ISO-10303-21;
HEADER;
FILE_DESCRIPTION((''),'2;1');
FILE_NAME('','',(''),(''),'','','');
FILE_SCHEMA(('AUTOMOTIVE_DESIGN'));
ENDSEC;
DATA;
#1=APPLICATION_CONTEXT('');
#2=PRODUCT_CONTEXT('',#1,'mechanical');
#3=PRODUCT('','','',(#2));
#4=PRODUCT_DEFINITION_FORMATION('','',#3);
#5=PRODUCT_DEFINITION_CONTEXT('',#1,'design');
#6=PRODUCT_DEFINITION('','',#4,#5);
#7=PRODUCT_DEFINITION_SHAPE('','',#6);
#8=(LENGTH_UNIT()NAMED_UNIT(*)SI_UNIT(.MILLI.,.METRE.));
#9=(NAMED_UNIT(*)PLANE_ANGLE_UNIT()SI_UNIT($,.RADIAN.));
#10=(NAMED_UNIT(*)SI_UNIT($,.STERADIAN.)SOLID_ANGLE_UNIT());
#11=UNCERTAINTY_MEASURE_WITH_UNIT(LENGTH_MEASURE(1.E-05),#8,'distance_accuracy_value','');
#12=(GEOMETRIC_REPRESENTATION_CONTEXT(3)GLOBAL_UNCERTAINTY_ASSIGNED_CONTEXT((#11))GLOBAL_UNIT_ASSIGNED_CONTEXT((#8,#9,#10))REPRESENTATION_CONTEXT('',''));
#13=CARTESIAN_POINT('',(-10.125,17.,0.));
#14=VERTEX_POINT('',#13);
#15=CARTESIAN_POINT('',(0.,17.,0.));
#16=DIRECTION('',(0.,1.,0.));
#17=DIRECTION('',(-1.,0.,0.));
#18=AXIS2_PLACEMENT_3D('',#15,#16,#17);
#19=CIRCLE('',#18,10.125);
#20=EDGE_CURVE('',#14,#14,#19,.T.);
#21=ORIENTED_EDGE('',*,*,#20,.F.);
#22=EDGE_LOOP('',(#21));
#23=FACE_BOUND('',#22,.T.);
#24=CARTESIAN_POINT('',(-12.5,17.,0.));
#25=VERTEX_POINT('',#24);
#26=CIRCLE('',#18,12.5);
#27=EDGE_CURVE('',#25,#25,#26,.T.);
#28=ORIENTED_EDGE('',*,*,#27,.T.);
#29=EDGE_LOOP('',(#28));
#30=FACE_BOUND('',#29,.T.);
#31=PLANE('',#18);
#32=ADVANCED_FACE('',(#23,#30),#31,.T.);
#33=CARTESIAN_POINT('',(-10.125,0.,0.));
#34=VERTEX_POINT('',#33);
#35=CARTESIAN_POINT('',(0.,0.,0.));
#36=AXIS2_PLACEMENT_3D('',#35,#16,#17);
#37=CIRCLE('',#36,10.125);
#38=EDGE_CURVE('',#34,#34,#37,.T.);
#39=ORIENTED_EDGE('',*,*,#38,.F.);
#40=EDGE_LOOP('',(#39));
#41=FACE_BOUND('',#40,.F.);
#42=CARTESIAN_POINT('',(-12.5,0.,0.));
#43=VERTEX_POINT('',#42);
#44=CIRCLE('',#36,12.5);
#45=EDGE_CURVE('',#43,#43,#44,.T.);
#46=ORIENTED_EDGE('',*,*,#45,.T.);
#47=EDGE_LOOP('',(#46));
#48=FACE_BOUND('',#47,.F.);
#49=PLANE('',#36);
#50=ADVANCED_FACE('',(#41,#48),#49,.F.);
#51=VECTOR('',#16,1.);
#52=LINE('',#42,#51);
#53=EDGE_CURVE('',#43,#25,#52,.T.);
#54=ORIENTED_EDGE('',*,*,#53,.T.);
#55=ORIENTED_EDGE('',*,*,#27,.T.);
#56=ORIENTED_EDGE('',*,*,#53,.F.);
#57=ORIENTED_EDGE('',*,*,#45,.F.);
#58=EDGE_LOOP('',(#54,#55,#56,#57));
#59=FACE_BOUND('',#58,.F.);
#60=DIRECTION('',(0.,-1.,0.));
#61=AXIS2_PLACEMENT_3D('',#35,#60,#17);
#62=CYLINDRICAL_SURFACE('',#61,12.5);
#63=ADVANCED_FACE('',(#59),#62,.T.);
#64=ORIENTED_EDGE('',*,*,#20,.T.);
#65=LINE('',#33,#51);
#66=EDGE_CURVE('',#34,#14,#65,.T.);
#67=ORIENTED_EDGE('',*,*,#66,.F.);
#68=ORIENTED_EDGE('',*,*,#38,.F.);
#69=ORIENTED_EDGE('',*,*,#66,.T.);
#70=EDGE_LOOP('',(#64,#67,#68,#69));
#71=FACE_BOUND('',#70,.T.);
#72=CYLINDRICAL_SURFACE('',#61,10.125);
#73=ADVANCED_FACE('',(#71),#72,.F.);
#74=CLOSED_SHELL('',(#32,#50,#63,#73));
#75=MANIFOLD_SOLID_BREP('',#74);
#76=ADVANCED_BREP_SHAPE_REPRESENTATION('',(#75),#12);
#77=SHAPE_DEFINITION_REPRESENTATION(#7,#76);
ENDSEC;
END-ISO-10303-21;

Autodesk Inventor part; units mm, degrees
ref_plane "YZ Plane" through (0, 0, 0) normal (1, 0, 0) x (0, 1, 0)
ref_plane "XZ Plane" through (0, 0, 0) normal (0, 1, 0) x (-1, 0, 0)
ref_plane "XY Plane" through (0, 0, 0) normal (0, 0, 1) x (1, 0, 0)
sketch "Sketch1" plane through (0, 0, 0) normal (0, 1, 0) x (-1, 0, 0)
  circle A0 centre (0, 0) radius 10.125
  circle A1 centre (0, 0) radius 12.5
  dimension "d0" = 20.25
  dimension "d1" = 25
extrude "Extrusion1" add sketch "Sketch1" along normal blind 17
properties part number "ExtraCraneSupport"
